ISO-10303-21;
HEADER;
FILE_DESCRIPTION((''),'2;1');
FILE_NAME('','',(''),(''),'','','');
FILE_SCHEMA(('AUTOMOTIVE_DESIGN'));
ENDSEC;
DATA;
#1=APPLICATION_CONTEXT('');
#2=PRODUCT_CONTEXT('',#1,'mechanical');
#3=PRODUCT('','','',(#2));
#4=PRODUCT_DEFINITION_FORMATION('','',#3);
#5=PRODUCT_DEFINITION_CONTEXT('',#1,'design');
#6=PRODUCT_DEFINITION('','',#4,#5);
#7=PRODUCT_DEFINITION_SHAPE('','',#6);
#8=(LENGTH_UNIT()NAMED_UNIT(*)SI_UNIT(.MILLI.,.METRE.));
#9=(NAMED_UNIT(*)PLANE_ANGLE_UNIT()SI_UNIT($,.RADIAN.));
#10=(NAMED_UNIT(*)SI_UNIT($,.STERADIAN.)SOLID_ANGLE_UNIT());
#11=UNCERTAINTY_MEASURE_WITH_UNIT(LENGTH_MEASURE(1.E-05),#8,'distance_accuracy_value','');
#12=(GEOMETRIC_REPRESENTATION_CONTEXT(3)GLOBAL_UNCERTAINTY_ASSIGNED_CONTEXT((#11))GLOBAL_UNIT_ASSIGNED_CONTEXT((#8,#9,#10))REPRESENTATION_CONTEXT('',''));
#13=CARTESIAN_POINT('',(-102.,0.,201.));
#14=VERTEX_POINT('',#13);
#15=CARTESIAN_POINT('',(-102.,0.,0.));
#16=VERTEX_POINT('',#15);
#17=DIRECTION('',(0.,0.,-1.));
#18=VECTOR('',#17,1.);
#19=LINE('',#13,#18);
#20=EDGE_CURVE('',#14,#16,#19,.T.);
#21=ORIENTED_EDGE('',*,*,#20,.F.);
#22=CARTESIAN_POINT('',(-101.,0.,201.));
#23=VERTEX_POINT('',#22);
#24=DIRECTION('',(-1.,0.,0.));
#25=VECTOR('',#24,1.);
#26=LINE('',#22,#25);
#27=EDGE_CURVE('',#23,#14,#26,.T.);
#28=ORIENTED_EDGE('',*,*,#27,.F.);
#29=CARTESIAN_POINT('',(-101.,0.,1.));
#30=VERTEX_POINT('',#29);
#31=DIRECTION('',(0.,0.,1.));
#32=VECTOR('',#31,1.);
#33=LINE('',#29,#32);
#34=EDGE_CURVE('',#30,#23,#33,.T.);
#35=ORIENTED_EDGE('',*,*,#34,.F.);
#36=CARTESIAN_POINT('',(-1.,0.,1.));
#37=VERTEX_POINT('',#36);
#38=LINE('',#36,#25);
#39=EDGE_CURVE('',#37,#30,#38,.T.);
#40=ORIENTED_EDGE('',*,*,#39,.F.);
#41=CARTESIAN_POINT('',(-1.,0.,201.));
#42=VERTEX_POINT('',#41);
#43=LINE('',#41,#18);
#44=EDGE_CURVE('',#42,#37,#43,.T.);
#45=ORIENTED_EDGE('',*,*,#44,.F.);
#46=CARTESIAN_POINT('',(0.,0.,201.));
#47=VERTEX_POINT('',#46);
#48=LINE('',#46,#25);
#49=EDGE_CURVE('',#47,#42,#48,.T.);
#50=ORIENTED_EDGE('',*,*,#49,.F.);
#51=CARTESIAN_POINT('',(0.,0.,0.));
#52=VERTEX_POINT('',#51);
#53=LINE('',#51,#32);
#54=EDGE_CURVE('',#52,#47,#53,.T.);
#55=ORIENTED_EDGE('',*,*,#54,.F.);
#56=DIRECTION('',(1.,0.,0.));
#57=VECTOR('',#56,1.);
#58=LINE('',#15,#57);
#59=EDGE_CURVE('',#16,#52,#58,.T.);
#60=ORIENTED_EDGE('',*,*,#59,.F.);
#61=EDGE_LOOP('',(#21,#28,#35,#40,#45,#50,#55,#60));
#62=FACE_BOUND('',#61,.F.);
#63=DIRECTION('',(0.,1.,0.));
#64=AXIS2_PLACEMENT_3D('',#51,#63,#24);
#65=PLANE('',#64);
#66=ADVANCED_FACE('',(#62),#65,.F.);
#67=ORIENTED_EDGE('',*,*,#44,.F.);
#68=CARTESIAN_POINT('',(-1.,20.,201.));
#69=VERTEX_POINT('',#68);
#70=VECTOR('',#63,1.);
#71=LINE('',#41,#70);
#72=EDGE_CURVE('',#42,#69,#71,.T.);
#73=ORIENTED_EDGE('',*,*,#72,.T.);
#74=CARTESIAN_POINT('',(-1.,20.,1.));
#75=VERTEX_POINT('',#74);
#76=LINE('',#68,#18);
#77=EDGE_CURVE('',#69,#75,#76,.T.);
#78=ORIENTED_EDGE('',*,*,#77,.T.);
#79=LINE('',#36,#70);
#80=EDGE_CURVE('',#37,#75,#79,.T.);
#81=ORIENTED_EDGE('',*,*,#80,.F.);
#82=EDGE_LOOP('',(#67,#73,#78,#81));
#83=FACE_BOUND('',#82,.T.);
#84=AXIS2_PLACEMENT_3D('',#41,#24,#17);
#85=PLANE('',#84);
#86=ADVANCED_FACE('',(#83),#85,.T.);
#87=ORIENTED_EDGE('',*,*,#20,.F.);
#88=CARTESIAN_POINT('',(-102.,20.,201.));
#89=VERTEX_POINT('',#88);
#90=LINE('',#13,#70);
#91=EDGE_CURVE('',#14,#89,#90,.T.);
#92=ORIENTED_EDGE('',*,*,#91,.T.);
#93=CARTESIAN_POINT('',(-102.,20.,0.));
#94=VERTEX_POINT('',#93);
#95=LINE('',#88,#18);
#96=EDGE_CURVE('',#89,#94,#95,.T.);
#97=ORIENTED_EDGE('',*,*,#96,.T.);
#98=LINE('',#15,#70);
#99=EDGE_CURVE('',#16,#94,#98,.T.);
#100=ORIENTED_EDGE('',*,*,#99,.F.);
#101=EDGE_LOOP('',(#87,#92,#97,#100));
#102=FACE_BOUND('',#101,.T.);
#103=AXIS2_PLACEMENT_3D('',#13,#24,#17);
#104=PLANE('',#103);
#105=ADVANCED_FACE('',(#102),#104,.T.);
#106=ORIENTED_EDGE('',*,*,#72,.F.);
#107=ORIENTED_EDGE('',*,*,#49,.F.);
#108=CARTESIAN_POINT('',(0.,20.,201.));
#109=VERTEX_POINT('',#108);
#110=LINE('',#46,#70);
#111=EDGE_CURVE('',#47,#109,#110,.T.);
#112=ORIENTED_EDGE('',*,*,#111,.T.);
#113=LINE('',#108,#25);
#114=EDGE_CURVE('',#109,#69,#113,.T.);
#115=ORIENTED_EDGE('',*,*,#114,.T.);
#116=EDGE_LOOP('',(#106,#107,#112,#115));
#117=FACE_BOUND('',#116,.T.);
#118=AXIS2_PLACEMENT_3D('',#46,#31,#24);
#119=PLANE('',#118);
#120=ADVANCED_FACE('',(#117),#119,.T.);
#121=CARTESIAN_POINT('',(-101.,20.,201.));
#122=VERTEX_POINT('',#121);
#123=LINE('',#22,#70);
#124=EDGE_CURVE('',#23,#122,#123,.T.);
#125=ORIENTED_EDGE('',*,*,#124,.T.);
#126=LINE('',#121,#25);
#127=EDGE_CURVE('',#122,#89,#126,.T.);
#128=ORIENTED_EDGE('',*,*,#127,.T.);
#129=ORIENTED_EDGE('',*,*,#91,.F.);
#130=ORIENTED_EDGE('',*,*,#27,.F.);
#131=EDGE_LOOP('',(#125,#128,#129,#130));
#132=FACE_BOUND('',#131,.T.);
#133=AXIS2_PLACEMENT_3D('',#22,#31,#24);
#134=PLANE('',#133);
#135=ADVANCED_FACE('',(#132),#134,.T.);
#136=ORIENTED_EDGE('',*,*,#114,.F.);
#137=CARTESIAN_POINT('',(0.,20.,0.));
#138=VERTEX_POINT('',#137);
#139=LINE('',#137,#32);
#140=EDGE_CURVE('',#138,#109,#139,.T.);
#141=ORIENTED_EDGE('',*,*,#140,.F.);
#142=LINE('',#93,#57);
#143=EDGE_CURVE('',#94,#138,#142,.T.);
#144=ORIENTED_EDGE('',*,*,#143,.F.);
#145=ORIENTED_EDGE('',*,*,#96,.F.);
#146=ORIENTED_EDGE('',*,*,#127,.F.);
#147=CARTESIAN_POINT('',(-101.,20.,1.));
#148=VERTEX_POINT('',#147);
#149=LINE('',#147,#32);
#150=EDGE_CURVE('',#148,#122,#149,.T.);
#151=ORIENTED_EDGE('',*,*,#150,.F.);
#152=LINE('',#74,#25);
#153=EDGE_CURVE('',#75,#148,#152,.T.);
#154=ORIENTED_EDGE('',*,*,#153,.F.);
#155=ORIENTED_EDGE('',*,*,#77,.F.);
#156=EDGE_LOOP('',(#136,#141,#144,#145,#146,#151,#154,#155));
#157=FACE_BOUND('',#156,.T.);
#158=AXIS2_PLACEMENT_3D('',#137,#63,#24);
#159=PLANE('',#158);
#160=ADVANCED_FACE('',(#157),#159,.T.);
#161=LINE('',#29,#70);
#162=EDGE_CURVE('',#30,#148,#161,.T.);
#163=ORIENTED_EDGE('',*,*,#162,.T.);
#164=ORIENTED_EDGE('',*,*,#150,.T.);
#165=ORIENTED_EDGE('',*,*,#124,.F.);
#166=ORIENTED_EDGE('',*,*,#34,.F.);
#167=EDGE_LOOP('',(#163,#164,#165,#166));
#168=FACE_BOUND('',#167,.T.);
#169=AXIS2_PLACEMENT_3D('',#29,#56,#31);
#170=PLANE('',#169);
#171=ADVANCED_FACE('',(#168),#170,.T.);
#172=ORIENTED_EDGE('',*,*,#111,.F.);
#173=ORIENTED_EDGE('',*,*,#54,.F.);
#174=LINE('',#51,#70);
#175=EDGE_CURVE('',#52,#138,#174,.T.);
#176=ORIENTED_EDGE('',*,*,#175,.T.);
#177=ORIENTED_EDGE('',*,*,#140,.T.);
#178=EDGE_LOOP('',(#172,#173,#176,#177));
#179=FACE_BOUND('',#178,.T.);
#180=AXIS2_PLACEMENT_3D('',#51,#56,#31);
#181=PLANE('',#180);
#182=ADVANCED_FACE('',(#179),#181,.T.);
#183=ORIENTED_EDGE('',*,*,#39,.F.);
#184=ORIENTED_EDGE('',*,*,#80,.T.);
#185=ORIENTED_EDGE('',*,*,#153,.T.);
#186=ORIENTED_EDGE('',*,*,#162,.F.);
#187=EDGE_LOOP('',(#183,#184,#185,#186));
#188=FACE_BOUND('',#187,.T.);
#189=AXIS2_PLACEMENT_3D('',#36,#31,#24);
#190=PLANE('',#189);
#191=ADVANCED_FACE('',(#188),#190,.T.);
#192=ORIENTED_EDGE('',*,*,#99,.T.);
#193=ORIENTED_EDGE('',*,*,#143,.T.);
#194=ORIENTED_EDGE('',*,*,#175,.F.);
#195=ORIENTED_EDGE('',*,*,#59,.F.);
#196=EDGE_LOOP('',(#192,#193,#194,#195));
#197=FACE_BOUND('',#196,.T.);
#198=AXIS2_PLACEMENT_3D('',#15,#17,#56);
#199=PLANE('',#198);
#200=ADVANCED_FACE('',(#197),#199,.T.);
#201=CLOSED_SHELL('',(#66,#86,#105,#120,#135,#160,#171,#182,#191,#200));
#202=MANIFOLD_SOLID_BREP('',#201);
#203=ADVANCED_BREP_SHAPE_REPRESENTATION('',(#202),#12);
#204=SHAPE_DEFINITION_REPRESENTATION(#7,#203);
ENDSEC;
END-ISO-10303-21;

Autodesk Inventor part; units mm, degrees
ref_plane "YZ Plane" through (0, 0, 0) normal (1, 0, 0) x (0, 1, 0)
ref_plane "XZ Plane" through (0, 0, 0) normal (0, 1, 0) x (-1, 0, 0)
ref_plane "XY Plane" through (0, 0, 0) normal (0, 0, 1) x (1, 0, 0)
sketch "Sketch1" plane through (0, 0, 0) normal (0, 1, 0) x (-1, 0, 0)
  line L0 (102, 0) -> (0, 0)
  line L1 (0, 0) -> (0, 201)
  line L2 (0, 201) -> (1, 201)
  line L3 (1, 201) -> (1, 1)
  line L4 (1, 1) -> (101, 1)
  line L5 (101, 1) -> (101, 201)
  line L6 (101, 201) -> (102, 201)
  line L7 (102, 201) -> (102, 0)
  dimension "d0" = 1
  dimension "d1" = 1
  dimension "d2" = 100
  dimension "d3" = 102
  dimension "d4" = 1
  dimension "d5" = 201
extrude "Extrusion1" add sketch "Sketch1" along normal blind 20
properties part number "vibro_bed_stl"
